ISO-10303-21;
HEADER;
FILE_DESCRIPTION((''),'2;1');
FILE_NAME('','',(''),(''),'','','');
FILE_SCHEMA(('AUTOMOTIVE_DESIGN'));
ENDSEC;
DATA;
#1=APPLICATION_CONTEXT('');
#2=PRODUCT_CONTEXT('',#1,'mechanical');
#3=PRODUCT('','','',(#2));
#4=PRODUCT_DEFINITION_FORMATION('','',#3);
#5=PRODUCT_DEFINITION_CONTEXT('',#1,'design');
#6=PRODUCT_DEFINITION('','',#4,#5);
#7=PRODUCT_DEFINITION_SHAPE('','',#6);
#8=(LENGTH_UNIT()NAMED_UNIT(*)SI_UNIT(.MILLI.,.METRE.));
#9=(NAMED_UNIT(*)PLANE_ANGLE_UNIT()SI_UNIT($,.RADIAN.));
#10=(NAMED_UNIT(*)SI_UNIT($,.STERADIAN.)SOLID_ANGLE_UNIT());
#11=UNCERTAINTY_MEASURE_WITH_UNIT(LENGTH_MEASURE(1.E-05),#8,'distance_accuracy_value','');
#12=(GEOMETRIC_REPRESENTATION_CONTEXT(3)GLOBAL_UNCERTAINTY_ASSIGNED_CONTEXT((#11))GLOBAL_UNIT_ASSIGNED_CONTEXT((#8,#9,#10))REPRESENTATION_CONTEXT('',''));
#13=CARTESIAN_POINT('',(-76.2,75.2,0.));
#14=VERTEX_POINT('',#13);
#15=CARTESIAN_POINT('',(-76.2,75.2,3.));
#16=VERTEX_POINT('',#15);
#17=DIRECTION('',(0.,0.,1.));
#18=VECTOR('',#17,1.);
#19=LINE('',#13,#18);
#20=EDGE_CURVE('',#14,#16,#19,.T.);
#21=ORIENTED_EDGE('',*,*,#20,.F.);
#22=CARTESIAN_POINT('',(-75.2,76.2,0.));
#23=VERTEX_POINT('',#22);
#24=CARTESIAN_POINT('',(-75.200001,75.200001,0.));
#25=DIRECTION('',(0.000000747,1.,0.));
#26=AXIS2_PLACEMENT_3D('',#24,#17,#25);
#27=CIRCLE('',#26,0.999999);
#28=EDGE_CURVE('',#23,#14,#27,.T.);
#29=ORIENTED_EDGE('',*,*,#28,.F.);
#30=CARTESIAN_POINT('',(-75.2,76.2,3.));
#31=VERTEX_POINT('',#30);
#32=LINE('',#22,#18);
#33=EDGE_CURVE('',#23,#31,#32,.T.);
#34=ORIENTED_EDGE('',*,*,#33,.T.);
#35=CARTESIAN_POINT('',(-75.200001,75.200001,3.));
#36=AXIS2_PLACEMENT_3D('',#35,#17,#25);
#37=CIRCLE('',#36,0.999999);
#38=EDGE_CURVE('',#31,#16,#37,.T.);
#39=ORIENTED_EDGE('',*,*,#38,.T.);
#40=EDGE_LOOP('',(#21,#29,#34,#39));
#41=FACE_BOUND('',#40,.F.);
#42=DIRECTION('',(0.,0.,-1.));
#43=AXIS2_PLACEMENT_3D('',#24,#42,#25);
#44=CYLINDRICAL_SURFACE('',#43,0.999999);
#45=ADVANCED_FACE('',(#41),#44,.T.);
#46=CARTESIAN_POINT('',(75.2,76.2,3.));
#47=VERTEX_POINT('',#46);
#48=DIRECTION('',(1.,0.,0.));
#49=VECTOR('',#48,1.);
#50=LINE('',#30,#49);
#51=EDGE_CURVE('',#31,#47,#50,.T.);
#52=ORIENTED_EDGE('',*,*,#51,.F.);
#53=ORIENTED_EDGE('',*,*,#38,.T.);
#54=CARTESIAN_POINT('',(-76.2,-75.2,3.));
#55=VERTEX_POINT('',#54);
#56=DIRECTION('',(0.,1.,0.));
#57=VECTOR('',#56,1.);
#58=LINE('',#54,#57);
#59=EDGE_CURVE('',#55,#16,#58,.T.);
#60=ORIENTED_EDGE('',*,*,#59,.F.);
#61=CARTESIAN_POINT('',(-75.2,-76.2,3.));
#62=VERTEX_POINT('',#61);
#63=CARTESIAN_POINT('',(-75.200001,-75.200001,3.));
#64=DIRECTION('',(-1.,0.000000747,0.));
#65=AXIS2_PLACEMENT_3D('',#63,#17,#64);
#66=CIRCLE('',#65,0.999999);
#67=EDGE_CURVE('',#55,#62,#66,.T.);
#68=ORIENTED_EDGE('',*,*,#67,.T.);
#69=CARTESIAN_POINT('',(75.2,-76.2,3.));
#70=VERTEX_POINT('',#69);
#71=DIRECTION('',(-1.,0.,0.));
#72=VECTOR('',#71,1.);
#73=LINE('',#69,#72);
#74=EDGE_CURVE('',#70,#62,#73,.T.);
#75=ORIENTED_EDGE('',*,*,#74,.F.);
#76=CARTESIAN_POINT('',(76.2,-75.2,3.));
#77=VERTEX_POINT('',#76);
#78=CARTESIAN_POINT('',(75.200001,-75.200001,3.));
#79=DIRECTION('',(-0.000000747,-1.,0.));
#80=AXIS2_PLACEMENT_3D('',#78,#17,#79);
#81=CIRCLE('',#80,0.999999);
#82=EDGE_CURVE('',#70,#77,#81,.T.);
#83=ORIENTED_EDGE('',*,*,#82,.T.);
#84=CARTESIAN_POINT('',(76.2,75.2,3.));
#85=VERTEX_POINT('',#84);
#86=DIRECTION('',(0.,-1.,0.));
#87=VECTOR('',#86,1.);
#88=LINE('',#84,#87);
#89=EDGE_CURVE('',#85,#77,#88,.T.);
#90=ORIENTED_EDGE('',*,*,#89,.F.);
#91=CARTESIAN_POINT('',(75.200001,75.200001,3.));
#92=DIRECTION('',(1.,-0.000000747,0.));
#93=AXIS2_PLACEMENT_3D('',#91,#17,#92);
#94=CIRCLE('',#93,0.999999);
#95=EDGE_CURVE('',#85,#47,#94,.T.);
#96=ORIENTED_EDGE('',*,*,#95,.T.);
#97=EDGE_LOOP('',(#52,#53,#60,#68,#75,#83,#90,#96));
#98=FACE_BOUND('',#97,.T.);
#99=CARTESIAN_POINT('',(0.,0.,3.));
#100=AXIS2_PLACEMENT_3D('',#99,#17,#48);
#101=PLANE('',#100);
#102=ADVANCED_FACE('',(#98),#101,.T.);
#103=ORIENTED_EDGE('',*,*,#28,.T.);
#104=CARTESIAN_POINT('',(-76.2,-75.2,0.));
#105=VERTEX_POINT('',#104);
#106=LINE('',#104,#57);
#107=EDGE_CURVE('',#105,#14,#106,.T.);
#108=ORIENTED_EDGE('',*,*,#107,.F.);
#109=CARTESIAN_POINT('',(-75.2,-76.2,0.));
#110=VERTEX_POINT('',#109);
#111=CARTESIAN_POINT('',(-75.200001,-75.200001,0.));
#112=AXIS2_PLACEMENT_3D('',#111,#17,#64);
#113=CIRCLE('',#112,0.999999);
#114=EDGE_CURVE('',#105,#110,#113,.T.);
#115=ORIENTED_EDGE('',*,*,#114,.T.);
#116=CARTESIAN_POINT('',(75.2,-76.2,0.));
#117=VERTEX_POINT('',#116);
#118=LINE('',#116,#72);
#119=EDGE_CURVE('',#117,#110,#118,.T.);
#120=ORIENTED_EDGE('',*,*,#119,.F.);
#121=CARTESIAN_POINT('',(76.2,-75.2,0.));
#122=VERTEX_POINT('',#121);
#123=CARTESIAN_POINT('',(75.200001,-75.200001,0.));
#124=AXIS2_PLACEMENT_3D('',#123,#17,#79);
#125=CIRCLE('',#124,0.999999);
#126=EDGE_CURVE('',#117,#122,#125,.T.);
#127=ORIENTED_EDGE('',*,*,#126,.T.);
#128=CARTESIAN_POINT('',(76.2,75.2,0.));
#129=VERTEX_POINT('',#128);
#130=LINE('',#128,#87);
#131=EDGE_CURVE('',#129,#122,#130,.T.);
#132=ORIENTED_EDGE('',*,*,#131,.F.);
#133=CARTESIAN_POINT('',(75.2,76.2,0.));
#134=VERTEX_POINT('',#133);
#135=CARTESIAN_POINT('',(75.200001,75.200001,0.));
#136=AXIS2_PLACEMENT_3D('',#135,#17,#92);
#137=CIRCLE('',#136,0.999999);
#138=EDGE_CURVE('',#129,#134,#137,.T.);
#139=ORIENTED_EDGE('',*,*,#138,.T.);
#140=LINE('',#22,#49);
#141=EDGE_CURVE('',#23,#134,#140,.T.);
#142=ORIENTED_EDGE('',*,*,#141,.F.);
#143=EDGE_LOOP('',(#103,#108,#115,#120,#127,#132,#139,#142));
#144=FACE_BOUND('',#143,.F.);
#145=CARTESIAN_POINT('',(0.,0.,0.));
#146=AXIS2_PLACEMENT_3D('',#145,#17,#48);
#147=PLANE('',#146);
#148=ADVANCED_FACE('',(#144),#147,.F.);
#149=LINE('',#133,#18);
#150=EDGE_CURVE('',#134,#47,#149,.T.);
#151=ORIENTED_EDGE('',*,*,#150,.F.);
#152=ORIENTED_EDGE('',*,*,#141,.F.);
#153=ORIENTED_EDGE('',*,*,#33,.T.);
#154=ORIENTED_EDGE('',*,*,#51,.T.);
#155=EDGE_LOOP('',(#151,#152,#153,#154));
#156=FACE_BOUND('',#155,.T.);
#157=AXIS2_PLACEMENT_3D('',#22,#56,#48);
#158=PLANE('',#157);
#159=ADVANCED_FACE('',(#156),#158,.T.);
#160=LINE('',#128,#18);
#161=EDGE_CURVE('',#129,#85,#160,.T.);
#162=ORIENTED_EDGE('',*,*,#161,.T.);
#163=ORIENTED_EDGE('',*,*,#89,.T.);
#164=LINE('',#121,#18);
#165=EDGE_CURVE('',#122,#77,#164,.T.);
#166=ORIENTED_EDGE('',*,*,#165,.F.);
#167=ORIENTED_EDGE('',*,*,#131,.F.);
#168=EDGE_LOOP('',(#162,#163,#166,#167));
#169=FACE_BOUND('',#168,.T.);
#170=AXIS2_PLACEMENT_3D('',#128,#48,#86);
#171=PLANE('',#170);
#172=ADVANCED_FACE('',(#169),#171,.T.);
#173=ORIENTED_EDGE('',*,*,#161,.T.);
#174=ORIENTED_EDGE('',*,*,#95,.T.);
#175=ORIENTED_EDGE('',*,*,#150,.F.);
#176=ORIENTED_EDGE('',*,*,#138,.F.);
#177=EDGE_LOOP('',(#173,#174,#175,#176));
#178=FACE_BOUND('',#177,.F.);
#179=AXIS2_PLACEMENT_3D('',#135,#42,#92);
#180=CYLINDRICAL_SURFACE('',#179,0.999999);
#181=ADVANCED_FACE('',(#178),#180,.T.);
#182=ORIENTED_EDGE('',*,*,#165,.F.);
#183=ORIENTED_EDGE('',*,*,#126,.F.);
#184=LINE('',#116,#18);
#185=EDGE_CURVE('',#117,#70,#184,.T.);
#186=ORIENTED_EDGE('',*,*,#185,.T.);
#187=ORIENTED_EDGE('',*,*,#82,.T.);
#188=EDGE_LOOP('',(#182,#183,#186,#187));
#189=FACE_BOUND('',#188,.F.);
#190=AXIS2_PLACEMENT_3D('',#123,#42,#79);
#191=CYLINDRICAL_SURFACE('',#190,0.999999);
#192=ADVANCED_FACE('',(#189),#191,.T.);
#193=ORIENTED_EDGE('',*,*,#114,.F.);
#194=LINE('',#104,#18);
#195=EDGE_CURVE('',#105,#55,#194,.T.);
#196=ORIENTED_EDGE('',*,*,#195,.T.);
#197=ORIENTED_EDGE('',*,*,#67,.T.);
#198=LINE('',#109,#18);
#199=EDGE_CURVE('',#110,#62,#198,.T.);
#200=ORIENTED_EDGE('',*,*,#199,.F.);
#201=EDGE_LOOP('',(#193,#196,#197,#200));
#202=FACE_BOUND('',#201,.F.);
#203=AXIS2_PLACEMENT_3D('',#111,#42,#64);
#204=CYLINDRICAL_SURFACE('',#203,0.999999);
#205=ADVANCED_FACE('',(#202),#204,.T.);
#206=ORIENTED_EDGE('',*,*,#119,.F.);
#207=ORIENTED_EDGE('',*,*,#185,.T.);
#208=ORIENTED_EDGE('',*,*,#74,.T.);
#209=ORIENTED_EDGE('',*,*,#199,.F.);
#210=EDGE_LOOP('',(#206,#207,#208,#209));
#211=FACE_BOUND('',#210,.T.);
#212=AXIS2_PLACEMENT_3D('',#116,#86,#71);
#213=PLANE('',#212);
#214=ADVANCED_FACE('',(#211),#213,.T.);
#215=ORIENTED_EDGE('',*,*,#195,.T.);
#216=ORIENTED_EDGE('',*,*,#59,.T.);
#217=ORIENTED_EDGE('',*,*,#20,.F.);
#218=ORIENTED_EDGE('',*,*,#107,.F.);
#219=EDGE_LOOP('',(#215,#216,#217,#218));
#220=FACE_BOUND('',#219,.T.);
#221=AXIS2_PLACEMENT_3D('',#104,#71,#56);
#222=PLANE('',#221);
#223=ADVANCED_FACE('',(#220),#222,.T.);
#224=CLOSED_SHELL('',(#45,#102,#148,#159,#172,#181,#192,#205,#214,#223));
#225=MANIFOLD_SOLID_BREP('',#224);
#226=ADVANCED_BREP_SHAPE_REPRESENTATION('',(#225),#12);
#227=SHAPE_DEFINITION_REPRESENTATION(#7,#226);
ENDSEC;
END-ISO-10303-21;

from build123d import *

# Parameters (mm, degrees)
PAD_DEPTH = 3


with BuildPart() as part:
    # Sketch → Pad (new body)
    with BuildSketch(Plane.XY):
        with BuildLine():
            ThreePointArc((-75.2, 76.2), (-75.907107, 75.907107), (-76.2, 75.2))
            Line((-76.2, -75.2), (-76.2, 75.2))
            ThreePointArc((-76.2, -75.2), (-75.907107, -75.907107), (-75.2, -76.2))
            Line((75.2, -76.2), (-75.2, -76.2))
            ThreePointArc((75.2, -76.2), (75.907107, -75.907107), (76.2, -75.2))
            Line((76.2, 75.2), (76.2, -75.2))
            ThreePointArc((76.2, 75.2), (75.907107, 75.907107), (75.2, 76.2))
            Line((-75.2, 76.2), (75.2, 76.2))
        make_face()
    extrude(amount=PAD_DEPTH)


solid = part.part
